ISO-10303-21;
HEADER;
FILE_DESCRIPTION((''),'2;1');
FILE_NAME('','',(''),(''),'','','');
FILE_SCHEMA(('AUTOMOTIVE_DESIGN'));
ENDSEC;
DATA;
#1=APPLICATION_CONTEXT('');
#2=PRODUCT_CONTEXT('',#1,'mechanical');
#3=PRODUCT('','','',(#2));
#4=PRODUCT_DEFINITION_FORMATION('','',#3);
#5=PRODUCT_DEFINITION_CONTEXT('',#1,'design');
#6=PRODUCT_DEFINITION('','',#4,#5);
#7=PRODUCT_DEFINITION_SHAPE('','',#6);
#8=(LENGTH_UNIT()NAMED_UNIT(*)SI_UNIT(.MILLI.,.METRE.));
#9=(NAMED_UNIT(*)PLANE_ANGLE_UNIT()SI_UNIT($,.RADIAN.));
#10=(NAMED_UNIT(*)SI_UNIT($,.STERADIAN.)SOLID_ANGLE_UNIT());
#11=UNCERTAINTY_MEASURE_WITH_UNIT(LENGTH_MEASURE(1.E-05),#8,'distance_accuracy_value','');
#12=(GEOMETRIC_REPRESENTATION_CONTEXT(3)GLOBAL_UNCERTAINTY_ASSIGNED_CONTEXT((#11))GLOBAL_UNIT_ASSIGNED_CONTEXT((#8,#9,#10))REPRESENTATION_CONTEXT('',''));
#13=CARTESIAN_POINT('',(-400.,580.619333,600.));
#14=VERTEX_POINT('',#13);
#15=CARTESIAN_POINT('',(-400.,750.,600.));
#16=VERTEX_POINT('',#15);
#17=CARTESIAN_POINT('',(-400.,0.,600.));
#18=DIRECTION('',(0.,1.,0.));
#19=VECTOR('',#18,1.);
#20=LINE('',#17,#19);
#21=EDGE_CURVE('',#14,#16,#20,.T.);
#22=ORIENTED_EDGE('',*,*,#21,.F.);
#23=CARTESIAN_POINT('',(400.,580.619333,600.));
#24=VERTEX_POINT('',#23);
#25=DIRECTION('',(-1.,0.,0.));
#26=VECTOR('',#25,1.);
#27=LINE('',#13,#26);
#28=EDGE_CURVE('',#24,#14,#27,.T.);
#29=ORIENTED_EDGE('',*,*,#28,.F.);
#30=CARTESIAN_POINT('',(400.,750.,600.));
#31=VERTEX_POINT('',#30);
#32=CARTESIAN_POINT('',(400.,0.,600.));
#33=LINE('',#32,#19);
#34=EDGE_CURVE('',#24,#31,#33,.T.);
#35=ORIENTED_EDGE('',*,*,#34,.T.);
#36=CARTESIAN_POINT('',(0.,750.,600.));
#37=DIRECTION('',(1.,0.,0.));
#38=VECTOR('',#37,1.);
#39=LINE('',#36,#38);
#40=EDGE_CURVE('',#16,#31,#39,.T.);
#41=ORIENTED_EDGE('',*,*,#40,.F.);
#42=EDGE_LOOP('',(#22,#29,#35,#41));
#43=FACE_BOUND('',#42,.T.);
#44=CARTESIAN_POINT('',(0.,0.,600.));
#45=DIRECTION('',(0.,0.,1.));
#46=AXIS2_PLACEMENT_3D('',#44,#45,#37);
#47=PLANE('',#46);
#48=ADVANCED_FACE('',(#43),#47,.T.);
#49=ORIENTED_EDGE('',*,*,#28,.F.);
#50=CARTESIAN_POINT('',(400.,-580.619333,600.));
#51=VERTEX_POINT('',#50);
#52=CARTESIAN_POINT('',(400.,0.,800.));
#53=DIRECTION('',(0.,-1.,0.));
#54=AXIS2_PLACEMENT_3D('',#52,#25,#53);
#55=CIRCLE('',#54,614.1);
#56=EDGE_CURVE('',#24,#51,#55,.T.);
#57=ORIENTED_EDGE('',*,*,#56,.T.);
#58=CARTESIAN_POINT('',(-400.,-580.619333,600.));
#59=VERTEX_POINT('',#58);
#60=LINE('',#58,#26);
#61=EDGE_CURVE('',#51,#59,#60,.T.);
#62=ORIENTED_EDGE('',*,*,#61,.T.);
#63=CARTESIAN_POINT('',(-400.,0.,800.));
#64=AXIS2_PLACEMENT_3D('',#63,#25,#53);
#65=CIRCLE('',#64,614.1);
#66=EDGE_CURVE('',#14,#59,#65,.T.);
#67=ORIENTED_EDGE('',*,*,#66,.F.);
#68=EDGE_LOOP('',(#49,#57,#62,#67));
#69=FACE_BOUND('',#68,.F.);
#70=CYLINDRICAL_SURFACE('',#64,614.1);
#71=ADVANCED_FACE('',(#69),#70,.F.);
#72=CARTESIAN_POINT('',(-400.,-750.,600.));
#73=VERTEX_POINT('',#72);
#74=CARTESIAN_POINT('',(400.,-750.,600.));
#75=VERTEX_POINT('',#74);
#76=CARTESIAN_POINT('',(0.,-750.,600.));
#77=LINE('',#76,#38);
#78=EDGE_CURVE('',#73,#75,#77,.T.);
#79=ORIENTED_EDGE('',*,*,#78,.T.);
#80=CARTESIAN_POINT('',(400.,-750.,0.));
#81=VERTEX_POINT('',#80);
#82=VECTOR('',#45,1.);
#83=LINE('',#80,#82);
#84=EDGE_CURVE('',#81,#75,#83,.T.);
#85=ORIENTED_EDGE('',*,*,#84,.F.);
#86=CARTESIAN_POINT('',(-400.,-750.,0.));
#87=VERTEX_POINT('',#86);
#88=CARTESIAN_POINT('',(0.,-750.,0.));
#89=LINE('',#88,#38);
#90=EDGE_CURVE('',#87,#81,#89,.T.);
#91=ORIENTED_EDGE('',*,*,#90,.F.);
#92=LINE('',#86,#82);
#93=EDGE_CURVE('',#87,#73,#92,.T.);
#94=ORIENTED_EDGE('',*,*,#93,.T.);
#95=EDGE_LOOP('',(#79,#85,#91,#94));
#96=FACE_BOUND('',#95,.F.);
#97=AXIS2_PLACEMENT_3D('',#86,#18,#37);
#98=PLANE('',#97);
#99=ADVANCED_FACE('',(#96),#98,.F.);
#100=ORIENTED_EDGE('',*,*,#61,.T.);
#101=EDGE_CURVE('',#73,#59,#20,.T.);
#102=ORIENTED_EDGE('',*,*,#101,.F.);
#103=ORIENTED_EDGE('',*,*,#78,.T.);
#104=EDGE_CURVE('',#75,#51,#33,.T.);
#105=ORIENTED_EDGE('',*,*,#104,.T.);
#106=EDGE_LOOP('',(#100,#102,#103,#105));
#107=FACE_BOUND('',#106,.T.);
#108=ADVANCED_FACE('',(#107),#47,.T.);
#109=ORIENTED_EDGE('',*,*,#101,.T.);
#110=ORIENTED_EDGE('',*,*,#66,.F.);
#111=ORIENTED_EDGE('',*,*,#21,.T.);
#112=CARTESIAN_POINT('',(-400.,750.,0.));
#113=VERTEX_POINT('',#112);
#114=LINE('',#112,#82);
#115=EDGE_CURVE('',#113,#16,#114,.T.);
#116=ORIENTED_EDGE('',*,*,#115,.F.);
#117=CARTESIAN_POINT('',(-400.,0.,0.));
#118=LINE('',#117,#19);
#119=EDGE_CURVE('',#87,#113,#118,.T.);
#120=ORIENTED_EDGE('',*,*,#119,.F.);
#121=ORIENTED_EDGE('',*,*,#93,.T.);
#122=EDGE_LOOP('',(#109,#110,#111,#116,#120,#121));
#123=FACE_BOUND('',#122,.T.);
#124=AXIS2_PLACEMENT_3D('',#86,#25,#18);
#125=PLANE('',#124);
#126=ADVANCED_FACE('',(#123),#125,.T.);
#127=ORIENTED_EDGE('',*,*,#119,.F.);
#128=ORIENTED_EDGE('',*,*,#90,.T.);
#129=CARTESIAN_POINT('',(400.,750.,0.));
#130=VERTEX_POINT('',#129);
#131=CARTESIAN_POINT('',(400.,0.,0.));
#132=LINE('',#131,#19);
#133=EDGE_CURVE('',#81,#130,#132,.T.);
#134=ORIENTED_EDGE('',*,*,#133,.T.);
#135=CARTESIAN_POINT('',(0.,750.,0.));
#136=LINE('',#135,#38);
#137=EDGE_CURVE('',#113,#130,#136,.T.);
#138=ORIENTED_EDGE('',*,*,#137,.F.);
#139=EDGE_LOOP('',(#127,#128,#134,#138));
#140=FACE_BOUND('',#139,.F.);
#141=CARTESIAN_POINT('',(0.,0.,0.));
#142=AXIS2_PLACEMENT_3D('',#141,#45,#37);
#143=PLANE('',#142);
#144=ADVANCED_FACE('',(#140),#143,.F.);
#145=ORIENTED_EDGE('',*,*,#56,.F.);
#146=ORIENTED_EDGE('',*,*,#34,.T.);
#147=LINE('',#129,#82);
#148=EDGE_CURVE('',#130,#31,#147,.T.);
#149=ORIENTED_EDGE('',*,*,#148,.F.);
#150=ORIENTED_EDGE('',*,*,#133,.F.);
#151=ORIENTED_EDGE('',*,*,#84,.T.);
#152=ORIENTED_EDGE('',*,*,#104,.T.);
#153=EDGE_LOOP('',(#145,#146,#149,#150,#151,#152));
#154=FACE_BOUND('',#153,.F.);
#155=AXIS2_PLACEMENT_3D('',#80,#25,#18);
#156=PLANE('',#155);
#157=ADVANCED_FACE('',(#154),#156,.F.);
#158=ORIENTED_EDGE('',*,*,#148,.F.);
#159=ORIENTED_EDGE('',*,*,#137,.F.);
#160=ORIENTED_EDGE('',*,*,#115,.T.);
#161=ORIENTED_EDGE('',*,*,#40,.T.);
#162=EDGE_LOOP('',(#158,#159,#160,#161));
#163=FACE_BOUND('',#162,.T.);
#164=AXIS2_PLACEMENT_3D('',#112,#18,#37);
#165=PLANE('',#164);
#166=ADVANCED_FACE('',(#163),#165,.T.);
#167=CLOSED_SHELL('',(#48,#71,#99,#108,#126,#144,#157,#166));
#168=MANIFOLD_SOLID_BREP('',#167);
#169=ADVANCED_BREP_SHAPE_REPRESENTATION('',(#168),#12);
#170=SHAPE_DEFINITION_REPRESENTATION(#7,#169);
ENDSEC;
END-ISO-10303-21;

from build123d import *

# Parameters (mm, degrees)
F0_W     = 800
F0_H     = 1500
F1_DEPTH = 600
F2_R     = 614.1
F3_DEPTH = 800.001


with BuildPart() as f1:
    # F0 (on Top) → F1 (new body)
    with BuildSketch(Plane.XY):
        Rectangle(F0_W, F0_H)
    extrude(amount=F1_DEPTH)

    # F2 (on face) → F3 (cut, through all)
    with BuildSketch(Plane(origin=(-400, 0, 0), x_dir=(0, -1, 0), z_dir=(-1, 0, 0))):
        with Locations((0, 800)):
            Circle(F2_R)
    extrude(amount=-F3_DEPTH, mode=Mode.SUBTRACT)


solid = f1.part
